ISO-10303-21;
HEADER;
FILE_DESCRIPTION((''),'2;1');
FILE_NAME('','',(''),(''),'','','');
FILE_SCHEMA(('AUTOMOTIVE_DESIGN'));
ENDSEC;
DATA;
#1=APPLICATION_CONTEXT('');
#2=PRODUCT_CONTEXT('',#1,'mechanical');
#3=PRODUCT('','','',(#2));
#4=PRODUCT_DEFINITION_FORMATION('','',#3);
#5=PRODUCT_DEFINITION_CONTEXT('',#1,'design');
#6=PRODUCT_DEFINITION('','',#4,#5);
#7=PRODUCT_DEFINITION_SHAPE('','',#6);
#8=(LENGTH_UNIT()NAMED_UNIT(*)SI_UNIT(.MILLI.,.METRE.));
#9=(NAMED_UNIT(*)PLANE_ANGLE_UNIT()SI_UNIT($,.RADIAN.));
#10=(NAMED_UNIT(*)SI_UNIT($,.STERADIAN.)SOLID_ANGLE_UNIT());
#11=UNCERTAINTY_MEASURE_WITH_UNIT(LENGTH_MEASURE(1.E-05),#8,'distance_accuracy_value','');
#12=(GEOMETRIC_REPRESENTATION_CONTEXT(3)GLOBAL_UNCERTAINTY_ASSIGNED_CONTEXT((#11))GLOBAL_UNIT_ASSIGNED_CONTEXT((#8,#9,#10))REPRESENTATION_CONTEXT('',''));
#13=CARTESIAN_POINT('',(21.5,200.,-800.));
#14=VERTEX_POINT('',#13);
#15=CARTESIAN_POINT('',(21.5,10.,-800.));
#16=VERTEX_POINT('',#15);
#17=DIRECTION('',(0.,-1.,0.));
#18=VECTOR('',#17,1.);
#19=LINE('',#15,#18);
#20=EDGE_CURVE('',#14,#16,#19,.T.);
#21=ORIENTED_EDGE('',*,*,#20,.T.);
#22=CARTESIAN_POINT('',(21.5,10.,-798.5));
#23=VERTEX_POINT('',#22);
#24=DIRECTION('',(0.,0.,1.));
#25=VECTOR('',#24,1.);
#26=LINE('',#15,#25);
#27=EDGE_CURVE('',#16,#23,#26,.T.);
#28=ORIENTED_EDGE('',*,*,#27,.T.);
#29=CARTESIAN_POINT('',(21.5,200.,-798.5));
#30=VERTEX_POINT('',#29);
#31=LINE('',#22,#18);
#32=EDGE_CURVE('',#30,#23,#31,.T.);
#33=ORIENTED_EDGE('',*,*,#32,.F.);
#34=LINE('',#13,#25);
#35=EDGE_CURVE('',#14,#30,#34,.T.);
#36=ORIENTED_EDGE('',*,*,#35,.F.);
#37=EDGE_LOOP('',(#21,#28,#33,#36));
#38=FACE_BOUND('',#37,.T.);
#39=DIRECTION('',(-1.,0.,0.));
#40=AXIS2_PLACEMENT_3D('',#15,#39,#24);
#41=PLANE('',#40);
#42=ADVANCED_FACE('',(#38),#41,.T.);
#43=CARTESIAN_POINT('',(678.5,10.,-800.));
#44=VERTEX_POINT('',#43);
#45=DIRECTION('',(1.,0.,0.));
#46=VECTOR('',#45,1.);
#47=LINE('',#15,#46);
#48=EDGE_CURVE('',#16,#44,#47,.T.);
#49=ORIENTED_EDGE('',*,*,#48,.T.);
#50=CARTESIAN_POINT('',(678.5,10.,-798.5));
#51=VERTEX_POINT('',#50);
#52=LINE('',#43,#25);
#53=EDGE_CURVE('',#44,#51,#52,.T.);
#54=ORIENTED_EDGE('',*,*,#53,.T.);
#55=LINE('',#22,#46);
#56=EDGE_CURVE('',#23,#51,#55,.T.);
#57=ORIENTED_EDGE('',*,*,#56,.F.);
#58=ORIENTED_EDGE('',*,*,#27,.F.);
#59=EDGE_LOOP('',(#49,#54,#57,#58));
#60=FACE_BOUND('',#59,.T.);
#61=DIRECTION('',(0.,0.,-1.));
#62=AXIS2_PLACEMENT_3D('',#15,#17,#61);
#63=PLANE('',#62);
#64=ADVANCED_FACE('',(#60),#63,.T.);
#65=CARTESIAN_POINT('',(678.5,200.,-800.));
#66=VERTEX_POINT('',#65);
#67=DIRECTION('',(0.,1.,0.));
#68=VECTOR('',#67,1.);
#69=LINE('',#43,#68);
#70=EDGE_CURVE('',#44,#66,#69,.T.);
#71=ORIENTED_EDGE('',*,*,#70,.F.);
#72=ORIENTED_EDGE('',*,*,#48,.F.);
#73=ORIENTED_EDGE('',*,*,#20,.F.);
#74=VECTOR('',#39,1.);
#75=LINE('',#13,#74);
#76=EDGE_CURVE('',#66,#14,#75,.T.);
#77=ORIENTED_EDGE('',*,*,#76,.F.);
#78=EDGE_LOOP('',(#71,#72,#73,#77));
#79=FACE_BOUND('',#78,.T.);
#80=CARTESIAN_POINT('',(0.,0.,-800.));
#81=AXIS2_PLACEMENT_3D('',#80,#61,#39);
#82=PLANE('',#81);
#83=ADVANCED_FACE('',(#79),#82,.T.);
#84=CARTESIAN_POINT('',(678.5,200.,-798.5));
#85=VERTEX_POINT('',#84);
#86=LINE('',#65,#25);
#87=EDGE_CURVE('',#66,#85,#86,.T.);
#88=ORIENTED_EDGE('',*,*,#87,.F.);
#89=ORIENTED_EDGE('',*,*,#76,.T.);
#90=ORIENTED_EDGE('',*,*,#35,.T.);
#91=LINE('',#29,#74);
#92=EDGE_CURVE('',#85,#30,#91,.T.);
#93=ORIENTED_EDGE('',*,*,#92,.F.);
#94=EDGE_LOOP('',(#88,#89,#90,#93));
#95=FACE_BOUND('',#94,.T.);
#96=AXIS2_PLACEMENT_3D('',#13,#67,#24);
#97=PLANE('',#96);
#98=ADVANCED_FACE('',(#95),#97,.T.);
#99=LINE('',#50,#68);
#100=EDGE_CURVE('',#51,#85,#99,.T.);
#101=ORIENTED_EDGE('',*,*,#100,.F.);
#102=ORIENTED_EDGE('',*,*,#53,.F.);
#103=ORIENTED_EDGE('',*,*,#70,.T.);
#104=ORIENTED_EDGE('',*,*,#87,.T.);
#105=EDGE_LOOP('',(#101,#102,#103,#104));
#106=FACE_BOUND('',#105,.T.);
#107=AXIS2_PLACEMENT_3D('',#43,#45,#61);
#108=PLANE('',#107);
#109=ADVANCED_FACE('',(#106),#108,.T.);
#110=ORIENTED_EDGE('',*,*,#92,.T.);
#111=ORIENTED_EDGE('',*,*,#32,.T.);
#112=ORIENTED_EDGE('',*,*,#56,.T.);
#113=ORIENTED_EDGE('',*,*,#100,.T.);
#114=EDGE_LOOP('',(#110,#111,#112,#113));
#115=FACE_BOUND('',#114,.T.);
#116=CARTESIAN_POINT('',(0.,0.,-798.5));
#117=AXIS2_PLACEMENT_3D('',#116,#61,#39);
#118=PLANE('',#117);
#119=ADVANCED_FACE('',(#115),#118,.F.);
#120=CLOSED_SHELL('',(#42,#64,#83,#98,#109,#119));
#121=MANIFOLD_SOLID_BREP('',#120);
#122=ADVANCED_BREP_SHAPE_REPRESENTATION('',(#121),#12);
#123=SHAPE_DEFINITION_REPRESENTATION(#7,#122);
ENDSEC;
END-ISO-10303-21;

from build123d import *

# Parameters (mm, degrees)
TOPPING_PLINT_ARKA_1_START = -798.5
SKETCH1_W                  = 657
SKETCH1_H                  = 190
TOPPING_PLINT_ARKA_1_DEPTH = 1.5


with BuildPart() as part:
    # Sketch1 → TOPPING_plint_arka_1 (new body)
    with BuildSketch(Plane.XY.offset(TOPPING_PLINT_ARKA_1_START)):
        with Locations((350, 105)):
            Rectangle(SKETCH1_W, SKETCH1_H)
    extrude(amount=-TOPPING_PLINT_ARKA_1_DEPTH)


solid = part.part
